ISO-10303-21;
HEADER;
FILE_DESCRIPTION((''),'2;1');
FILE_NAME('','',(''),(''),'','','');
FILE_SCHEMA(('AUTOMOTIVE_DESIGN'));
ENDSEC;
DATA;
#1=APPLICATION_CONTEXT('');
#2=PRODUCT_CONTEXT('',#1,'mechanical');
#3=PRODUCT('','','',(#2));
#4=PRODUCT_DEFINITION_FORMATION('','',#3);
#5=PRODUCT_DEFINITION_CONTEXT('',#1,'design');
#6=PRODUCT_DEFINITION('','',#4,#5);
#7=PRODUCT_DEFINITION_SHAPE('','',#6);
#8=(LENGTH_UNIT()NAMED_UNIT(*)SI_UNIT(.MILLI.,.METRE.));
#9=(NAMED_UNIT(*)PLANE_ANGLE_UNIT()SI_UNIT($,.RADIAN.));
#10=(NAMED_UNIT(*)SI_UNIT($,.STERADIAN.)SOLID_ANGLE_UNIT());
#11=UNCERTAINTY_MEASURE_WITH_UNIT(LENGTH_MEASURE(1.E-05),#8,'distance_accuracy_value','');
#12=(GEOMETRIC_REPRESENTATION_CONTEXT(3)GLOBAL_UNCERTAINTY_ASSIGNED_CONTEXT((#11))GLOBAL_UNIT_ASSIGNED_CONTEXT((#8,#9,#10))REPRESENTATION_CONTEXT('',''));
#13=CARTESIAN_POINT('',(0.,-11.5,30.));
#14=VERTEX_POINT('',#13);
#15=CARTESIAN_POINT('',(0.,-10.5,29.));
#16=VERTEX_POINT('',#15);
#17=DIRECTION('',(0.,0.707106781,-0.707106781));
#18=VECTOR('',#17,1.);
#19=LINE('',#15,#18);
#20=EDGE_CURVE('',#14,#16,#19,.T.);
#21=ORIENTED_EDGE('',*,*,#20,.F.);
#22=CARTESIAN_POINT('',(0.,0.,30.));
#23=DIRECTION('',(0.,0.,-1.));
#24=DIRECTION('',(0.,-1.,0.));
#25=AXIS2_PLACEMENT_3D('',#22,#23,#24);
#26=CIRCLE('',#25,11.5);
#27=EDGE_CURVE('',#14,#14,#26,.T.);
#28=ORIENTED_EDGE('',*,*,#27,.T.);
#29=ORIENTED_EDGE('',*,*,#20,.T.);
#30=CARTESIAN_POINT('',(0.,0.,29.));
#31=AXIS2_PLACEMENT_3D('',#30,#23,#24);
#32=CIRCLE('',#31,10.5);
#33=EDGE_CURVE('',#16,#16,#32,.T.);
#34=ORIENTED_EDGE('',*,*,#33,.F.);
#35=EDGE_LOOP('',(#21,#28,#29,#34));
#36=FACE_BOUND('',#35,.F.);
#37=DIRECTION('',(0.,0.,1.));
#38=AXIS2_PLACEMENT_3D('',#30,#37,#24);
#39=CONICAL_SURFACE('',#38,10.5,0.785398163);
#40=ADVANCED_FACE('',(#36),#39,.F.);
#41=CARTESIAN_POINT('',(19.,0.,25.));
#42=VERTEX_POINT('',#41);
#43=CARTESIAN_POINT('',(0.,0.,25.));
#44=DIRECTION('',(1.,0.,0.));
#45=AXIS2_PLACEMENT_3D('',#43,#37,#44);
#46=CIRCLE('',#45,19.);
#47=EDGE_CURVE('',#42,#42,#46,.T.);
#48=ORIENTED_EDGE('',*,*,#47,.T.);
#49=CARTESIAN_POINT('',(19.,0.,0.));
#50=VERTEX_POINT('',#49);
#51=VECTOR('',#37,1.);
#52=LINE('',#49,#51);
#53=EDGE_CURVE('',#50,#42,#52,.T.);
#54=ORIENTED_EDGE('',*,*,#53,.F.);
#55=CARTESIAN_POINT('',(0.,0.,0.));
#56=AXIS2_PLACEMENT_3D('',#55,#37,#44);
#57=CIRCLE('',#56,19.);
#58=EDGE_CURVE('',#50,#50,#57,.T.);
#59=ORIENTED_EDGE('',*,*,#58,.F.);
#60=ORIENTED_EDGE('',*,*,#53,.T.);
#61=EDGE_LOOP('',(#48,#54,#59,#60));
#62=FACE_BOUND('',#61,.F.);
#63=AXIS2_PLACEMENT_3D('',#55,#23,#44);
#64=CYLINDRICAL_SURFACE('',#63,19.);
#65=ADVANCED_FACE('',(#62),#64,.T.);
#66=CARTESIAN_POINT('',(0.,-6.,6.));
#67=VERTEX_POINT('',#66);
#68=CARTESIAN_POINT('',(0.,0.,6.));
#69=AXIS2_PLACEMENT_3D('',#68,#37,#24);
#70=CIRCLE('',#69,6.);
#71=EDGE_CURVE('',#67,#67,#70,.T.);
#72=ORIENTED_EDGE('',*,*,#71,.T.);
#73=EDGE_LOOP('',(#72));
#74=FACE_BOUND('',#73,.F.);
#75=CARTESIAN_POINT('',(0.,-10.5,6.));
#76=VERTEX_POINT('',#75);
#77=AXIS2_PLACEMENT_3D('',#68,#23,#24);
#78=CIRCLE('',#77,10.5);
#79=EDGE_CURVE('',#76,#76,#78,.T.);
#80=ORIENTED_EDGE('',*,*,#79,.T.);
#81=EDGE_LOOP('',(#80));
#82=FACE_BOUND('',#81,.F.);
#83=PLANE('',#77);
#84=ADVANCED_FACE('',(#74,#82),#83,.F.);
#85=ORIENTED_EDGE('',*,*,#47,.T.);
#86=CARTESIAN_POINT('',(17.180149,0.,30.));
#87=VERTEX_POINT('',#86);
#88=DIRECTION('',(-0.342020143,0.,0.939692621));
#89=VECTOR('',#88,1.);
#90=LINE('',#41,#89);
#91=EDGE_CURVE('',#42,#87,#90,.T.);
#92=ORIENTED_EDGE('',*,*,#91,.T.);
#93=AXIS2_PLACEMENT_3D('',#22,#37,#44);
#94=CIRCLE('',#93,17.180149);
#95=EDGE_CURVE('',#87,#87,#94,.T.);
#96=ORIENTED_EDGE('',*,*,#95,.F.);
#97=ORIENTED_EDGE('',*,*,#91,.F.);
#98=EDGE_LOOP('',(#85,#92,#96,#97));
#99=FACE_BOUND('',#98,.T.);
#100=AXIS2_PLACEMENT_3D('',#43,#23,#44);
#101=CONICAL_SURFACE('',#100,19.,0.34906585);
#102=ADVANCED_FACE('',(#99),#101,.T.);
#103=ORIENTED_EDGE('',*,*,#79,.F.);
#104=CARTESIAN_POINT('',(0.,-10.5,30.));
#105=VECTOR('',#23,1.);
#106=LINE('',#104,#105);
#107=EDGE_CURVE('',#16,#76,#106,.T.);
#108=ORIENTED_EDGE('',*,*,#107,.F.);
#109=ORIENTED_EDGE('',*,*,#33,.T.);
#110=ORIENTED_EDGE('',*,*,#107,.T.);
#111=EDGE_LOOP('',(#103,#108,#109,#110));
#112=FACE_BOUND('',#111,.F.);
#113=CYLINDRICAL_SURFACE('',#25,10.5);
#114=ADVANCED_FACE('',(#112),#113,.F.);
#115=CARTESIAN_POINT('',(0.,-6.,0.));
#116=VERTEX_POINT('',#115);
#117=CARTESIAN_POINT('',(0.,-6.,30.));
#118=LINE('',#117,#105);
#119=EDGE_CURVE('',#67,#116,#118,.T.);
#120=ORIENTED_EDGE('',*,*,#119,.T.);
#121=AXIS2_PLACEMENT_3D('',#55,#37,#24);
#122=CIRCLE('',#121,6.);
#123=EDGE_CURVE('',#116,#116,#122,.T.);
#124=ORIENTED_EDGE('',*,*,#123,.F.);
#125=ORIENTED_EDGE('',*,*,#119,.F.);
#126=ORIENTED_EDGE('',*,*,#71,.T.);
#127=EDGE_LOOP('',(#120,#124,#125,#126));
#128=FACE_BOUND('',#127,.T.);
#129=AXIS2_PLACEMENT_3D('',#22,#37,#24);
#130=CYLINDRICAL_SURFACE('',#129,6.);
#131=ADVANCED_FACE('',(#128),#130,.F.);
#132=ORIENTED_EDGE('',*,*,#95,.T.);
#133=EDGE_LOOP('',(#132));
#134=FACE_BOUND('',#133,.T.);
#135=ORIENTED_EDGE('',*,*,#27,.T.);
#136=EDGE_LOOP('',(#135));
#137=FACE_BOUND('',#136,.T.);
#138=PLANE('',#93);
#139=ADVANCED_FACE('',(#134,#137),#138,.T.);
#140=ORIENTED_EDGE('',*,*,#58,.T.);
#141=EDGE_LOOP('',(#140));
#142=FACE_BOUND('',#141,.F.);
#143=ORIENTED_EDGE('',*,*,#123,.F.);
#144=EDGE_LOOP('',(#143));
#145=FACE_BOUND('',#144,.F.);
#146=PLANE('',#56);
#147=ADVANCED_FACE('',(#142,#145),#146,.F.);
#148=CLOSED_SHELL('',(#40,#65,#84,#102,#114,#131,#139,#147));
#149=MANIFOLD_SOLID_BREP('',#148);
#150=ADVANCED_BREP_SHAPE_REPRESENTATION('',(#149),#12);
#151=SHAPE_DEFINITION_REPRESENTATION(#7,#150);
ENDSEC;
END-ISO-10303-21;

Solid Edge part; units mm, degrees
sketch "Sketch1" plane through (0, 0, 0) normal (0, 0, 1) x (1, 0, 0)
  circle A0 centre (0, 0) radius 19
  dimension "D1" = 38
extrude "Protrusion1" add sketch "Sketch1" along normal blind 30
hole "Bohrung_1" at (0, 0, 30) direction (0, 0, -1) diameter 12 end through all
hole "Bohrung_2" at (0, 0, 30) direction (0, 0, -1) diameter 21 depth 24
chamfer "Fase_1" distance 1 angle 45 1 edges at (0, 10.5, 30)
chamfer "Fase_2" distance 5 angle 20 1 edges at (-19, 0, 30) measured on face at (10.5144, 15.8255, 24.7)
properties material "Aluminium, 1350"
